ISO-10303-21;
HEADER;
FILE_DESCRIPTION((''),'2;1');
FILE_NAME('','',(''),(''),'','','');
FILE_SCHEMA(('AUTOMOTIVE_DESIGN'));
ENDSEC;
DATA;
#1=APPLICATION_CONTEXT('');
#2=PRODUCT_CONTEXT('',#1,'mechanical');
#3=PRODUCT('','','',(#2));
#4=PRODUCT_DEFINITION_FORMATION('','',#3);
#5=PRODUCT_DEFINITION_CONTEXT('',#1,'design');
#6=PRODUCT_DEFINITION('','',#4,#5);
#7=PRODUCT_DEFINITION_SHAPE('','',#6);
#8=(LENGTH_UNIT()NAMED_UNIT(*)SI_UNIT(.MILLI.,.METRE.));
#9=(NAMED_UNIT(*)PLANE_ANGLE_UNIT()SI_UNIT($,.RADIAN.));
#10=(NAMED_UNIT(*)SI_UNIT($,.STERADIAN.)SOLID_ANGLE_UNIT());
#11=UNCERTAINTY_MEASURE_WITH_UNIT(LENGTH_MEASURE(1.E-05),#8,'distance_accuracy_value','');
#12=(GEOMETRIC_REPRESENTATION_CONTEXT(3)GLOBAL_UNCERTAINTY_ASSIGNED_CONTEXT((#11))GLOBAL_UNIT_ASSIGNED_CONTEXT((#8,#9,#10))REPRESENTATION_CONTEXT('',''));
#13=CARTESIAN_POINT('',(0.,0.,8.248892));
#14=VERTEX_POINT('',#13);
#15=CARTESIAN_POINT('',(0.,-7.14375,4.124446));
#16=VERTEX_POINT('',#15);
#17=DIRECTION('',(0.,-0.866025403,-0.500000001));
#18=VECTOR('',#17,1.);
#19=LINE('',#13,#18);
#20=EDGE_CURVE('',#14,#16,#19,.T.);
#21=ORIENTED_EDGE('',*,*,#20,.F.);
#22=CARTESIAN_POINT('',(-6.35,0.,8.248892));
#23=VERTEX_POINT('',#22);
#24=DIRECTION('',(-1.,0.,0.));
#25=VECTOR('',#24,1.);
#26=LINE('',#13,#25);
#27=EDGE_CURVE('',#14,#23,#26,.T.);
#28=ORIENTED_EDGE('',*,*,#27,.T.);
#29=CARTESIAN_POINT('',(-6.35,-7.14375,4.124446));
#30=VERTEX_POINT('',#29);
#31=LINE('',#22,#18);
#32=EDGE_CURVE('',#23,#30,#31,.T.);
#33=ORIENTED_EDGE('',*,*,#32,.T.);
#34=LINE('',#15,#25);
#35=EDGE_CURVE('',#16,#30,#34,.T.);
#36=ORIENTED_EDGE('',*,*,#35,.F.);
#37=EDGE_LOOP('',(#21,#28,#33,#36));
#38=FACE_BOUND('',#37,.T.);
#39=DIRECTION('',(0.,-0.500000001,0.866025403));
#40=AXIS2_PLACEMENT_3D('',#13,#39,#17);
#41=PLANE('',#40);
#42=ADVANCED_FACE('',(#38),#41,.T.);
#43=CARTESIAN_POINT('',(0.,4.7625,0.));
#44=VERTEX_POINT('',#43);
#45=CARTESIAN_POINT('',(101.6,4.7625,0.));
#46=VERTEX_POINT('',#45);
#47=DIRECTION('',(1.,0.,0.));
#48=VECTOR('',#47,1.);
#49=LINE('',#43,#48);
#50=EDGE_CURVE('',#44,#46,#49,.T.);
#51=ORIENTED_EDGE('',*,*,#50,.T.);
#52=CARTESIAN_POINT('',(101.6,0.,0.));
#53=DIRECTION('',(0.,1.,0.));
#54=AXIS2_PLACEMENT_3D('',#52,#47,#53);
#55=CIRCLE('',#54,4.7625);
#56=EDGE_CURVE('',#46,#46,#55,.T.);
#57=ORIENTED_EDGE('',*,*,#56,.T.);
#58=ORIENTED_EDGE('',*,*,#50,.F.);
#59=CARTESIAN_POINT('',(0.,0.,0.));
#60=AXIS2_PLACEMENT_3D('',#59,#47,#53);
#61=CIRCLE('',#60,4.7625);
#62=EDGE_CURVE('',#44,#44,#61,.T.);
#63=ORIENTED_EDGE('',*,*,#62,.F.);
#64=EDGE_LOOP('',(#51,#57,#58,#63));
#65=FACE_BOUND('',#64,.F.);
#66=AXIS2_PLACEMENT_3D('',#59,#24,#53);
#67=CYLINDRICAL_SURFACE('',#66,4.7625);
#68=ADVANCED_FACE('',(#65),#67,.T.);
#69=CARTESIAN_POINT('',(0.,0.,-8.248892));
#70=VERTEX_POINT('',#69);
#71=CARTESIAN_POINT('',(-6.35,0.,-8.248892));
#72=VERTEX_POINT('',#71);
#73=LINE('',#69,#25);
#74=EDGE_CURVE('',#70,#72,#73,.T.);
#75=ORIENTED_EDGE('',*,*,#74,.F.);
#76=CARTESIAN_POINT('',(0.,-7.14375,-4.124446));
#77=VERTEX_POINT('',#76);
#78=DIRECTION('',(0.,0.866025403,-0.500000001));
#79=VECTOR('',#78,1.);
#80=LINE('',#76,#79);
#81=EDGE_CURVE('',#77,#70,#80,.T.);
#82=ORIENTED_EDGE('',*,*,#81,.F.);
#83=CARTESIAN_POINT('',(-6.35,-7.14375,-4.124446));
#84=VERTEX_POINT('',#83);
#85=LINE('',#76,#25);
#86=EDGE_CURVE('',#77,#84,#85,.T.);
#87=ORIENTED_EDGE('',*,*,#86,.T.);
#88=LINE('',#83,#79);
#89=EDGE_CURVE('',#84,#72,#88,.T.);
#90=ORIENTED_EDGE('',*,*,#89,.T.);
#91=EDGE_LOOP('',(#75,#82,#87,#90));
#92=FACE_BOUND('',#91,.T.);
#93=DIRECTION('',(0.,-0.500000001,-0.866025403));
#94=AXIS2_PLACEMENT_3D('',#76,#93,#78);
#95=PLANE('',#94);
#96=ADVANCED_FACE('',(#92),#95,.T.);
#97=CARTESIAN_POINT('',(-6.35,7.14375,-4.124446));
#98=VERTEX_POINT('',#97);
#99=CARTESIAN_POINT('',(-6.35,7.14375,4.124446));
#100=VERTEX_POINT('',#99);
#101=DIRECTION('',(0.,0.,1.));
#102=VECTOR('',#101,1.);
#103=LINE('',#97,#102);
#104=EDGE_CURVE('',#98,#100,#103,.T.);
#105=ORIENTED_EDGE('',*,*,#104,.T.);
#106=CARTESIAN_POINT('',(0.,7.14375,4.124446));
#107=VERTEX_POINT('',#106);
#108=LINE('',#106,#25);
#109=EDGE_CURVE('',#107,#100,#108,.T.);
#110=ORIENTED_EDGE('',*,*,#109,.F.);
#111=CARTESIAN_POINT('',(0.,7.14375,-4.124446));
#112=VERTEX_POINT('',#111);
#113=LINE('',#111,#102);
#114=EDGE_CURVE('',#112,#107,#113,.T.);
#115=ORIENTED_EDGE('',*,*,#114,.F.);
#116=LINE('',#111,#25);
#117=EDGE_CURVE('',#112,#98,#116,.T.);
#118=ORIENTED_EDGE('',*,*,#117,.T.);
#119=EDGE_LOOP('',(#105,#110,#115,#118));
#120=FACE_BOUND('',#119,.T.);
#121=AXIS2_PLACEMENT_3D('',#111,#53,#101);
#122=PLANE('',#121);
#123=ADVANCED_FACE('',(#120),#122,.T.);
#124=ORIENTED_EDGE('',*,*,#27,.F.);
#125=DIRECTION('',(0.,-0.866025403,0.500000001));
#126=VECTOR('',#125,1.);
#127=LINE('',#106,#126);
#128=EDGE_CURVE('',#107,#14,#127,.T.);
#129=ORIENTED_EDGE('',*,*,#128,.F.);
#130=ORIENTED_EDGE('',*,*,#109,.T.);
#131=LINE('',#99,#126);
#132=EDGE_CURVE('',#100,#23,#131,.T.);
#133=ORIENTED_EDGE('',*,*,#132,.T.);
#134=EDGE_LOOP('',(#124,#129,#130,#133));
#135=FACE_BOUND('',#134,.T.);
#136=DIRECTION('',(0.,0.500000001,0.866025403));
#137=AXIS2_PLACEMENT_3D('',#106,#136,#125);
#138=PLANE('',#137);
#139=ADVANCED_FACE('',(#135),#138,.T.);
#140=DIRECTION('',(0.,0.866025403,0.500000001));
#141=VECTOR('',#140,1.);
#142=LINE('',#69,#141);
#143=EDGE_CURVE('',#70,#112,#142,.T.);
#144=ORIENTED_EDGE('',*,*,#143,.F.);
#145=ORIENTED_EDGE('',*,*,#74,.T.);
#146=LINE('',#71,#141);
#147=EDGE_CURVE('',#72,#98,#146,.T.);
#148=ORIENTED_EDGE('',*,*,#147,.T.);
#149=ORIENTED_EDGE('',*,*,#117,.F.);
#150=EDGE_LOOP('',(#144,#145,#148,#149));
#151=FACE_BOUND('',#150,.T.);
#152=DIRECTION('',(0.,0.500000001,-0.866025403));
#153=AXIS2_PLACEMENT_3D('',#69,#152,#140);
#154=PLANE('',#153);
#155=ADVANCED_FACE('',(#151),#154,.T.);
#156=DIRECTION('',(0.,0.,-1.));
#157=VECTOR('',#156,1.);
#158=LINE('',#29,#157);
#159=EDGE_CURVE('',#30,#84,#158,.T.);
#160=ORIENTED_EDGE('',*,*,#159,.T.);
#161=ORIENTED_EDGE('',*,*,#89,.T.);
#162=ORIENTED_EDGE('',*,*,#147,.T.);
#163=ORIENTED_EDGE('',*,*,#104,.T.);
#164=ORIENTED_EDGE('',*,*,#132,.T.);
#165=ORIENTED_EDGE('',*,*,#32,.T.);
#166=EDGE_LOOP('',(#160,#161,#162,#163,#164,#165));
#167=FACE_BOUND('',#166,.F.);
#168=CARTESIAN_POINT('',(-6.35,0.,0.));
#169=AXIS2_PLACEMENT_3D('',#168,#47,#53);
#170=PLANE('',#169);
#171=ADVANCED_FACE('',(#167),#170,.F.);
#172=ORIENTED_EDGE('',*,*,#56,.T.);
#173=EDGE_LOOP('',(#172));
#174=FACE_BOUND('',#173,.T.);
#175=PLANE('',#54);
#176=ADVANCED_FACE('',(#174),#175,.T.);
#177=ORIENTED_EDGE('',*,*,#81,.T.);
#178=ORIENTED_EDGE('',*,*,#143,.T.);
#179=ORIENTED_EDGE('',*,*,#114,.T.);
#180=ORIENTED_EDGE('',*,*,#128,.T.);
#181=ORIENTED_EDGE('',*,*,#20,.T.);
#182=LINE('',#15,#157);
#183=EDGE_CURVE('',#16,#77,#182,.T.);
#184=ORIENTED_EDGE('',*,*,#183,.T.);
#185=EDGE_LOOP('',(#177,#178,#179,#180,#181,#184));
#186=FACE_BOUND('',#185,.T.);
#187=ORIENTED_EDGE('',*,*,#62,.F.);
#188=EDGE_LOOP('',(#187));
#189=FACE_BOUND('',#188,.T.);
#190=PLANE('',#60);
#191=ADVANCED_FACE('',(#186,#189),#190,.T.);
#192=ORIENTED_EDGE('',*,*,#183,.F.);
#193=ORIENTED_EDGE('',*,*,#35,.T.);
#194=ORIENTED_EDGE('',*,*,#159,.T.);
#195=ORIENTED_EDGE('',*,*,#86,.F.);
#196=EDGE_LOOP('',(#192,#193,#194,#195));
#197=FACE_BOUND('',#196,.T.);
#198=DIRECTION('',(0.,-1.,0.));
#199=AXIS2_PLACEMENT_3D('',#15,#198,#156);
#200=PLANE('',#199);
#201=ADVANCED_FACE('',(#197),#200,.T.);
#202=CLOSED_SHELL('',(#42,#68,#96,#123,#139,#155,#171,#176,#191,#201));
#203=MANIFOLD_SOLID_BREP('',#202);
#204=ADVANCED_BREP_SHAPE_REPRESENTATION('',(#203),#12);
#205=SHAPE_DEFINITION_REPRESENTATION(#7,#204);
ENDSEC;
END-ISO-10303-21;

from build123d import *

# Parameters (mm, degrees)
F0_R     = 4.7625
F1_DEPTH = 6.35
F2_DEPTH = 101.6


with BuildPart() as f1:
    # F0 (on Right) → F1 (new body)
    with BuildSketch(Plane.YZ):
        Polygon((7.14375, -4.124446), (7.14375, 4.124446), (0, 8.248892), (-7.14375, 4.124446), (-7.14375, -4.124446), (0, -8.248892), align=None)
        Circle(F0_R, mode=Mode.SUBTRACT)
        Circle(F0_R)
    extrude(amount=-F1_DEPTH)

    # F0 (on Right) → F2 (join)
    with BuildSketch(Plane.YZ):
        Circle(F0_R)
    extrude(amount=F2_DEPTH)


solid = f1.part
